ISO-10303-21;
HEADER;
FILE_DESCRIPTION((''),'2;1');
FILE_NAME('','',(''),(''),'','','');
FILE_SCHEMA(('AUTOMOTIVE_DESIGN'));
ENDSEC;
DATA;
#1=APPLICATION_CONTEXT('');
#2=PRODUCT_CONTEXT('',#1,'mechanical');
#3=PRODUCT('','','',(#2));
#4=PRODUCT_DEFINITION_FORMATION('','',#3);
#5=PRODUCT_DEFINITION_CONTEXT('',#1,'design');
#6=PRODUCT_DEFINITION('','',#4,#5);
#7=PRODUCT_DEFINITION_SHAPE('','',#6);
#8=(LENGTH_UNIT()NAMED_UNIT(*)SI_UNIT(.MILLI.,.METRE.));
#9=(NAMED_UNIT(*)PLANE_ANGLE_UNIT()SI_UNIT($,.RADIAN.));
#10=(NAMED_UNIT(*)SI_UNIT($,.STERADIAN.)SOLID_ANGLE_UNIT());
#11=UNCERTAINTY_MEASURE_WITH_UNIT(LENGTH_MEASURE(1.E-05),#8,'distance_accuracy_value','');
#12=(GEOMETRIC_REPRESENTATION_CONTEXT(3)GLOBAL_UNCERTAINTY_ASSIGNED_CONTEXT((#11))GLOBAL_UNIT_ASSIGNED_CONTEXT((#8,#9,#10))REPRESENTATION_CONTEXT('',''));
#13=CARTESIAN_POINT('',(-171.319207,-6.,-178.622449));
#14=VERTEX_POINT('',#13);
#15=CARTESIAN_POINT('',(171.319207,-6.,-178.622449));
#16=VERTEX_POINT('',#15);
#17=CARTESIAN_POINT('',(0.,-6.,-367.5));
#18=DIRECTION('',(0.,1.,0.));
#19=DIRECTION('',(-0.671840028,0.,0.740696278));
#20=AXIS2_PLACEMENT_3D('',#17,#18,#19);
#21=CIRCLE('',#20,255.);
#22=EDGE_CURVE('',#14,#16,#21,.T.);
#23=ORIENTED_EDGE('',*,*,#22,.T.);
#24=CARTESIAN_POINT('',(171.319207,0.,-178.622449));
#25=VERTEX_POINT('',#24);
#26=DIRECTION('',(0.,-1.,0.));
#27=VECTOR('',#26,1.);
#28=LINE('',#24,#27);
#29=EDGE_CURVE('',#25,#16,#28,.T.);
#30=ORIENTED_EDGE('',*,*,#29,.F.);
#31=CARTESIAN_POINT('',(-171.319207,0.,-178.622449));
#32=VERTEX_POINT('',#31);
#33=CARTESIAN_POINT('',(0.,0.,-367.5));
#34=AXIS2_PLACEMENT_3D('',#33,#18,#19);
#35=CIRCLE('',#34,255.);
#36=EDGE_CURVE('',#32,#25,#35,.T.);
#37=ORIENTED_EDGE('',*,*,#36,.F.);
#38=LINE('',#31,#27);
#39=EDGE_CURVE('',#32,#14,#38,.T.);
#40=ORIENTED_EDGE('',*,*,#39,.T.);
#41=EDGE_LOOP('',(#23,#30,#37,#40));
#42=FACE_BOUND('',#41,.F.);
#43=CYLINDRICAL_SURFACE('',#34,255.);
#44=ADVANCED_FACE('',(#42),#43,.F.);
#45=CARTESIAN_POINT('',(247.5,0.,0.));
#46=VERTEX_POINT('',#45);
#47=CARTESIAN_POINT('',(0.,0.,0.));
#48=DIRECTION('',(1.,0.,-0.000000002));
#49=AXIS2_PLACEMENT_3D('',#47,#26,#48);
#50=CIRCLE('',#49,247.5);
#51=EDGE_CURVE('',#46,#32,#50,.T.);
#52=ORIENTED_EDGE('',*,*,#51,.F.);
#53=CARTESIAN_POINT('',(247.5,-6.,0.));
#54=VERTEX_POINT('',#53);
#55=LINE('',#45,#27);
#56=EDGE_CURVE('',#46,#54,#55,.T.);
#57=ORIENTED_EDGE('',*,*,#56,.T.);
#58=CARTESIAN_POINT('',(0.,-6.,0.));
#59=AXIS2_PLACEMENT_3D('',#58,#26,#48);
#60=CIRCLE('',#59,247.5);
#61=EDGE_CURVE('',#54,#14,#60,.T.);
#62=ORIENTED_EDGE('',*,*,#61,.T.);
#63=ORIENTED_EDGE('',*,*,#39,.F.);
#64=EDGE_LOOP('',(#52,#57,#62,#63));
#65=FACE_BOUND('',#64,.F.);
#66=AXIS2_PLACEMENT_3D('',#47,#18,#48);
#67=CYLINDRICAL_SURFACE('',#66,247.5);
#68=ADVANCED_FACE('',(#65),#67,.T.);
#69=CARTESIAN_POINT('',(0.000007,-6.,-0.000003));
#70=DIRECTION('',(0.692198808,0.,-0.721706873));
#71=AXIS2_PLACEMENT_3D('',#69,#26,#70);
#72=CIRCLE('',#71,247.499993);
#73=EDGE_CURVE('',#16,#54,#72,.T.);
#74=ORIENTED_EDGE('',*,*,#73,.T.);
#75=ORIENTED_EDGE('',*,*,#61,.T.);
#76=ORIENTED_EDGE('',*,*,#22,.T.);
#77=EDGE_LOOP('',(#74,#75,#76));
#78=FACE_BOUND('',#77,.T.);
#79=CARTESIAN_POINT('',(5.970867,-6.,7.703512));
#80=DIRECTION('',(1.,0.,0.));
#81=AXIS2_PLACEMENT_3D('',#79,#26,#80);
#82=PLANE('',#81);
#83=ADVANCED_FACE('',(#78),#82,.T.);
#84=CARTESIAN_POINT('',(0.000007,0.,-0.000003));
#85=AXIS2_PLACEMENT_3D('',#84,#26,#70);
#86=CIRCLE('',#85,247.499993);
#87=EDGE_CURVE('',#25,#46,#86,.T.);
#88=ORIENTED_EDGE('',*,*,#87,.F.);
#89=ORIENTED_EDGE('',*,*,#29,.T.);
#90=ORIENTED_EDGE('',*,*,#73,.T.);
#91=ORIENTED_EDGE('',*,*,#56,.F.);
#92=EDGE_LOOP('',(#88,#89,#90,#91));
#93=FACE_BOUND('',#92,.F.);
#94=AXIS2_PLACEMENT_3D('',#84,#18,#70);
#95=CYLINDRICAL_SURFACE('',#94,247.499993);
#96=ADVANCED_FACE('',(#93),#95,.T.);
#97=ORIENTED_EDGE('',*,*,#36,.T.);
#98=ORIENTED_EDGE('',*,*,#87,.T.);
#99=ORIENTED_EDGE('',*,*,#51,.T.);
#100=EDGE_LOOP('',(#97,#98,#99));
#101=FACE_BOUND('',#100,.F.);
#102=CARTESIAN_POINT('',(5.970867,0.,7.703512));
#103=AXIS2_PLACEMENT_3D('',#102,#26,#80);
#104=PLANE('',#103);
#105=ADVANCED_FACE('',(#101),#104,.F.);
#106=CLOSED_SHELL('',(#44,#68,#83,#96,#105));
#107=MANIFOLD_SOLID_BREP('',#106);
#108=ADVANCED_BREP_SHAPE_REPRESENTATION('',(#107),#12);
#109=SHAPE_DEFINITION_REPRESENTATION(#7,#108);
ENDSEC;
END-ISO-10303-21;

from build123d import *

# Parameters (mm, degrees)
F1_DEPTH = 6


with BuildPart() as f1:
    # F0 (on Front) → F1 (new body)
    with BuildSketch(Plane.XZ):
        with BuildLine():
            ThreePointArc((171.319207, -178.622449), (227.659564, -97.094661), (247.5, 0))
            ThreePointArc((247.5, 0), (-97.094661, 227.659564), (-171.319207, -178.622449))
            ThreePointArc((-171.319207, -178.622449), (0, -112.5), (171.319207, -178.622449))
        make_face()
    extrude(amount=F1_DEPTH)


solid = f1.part
